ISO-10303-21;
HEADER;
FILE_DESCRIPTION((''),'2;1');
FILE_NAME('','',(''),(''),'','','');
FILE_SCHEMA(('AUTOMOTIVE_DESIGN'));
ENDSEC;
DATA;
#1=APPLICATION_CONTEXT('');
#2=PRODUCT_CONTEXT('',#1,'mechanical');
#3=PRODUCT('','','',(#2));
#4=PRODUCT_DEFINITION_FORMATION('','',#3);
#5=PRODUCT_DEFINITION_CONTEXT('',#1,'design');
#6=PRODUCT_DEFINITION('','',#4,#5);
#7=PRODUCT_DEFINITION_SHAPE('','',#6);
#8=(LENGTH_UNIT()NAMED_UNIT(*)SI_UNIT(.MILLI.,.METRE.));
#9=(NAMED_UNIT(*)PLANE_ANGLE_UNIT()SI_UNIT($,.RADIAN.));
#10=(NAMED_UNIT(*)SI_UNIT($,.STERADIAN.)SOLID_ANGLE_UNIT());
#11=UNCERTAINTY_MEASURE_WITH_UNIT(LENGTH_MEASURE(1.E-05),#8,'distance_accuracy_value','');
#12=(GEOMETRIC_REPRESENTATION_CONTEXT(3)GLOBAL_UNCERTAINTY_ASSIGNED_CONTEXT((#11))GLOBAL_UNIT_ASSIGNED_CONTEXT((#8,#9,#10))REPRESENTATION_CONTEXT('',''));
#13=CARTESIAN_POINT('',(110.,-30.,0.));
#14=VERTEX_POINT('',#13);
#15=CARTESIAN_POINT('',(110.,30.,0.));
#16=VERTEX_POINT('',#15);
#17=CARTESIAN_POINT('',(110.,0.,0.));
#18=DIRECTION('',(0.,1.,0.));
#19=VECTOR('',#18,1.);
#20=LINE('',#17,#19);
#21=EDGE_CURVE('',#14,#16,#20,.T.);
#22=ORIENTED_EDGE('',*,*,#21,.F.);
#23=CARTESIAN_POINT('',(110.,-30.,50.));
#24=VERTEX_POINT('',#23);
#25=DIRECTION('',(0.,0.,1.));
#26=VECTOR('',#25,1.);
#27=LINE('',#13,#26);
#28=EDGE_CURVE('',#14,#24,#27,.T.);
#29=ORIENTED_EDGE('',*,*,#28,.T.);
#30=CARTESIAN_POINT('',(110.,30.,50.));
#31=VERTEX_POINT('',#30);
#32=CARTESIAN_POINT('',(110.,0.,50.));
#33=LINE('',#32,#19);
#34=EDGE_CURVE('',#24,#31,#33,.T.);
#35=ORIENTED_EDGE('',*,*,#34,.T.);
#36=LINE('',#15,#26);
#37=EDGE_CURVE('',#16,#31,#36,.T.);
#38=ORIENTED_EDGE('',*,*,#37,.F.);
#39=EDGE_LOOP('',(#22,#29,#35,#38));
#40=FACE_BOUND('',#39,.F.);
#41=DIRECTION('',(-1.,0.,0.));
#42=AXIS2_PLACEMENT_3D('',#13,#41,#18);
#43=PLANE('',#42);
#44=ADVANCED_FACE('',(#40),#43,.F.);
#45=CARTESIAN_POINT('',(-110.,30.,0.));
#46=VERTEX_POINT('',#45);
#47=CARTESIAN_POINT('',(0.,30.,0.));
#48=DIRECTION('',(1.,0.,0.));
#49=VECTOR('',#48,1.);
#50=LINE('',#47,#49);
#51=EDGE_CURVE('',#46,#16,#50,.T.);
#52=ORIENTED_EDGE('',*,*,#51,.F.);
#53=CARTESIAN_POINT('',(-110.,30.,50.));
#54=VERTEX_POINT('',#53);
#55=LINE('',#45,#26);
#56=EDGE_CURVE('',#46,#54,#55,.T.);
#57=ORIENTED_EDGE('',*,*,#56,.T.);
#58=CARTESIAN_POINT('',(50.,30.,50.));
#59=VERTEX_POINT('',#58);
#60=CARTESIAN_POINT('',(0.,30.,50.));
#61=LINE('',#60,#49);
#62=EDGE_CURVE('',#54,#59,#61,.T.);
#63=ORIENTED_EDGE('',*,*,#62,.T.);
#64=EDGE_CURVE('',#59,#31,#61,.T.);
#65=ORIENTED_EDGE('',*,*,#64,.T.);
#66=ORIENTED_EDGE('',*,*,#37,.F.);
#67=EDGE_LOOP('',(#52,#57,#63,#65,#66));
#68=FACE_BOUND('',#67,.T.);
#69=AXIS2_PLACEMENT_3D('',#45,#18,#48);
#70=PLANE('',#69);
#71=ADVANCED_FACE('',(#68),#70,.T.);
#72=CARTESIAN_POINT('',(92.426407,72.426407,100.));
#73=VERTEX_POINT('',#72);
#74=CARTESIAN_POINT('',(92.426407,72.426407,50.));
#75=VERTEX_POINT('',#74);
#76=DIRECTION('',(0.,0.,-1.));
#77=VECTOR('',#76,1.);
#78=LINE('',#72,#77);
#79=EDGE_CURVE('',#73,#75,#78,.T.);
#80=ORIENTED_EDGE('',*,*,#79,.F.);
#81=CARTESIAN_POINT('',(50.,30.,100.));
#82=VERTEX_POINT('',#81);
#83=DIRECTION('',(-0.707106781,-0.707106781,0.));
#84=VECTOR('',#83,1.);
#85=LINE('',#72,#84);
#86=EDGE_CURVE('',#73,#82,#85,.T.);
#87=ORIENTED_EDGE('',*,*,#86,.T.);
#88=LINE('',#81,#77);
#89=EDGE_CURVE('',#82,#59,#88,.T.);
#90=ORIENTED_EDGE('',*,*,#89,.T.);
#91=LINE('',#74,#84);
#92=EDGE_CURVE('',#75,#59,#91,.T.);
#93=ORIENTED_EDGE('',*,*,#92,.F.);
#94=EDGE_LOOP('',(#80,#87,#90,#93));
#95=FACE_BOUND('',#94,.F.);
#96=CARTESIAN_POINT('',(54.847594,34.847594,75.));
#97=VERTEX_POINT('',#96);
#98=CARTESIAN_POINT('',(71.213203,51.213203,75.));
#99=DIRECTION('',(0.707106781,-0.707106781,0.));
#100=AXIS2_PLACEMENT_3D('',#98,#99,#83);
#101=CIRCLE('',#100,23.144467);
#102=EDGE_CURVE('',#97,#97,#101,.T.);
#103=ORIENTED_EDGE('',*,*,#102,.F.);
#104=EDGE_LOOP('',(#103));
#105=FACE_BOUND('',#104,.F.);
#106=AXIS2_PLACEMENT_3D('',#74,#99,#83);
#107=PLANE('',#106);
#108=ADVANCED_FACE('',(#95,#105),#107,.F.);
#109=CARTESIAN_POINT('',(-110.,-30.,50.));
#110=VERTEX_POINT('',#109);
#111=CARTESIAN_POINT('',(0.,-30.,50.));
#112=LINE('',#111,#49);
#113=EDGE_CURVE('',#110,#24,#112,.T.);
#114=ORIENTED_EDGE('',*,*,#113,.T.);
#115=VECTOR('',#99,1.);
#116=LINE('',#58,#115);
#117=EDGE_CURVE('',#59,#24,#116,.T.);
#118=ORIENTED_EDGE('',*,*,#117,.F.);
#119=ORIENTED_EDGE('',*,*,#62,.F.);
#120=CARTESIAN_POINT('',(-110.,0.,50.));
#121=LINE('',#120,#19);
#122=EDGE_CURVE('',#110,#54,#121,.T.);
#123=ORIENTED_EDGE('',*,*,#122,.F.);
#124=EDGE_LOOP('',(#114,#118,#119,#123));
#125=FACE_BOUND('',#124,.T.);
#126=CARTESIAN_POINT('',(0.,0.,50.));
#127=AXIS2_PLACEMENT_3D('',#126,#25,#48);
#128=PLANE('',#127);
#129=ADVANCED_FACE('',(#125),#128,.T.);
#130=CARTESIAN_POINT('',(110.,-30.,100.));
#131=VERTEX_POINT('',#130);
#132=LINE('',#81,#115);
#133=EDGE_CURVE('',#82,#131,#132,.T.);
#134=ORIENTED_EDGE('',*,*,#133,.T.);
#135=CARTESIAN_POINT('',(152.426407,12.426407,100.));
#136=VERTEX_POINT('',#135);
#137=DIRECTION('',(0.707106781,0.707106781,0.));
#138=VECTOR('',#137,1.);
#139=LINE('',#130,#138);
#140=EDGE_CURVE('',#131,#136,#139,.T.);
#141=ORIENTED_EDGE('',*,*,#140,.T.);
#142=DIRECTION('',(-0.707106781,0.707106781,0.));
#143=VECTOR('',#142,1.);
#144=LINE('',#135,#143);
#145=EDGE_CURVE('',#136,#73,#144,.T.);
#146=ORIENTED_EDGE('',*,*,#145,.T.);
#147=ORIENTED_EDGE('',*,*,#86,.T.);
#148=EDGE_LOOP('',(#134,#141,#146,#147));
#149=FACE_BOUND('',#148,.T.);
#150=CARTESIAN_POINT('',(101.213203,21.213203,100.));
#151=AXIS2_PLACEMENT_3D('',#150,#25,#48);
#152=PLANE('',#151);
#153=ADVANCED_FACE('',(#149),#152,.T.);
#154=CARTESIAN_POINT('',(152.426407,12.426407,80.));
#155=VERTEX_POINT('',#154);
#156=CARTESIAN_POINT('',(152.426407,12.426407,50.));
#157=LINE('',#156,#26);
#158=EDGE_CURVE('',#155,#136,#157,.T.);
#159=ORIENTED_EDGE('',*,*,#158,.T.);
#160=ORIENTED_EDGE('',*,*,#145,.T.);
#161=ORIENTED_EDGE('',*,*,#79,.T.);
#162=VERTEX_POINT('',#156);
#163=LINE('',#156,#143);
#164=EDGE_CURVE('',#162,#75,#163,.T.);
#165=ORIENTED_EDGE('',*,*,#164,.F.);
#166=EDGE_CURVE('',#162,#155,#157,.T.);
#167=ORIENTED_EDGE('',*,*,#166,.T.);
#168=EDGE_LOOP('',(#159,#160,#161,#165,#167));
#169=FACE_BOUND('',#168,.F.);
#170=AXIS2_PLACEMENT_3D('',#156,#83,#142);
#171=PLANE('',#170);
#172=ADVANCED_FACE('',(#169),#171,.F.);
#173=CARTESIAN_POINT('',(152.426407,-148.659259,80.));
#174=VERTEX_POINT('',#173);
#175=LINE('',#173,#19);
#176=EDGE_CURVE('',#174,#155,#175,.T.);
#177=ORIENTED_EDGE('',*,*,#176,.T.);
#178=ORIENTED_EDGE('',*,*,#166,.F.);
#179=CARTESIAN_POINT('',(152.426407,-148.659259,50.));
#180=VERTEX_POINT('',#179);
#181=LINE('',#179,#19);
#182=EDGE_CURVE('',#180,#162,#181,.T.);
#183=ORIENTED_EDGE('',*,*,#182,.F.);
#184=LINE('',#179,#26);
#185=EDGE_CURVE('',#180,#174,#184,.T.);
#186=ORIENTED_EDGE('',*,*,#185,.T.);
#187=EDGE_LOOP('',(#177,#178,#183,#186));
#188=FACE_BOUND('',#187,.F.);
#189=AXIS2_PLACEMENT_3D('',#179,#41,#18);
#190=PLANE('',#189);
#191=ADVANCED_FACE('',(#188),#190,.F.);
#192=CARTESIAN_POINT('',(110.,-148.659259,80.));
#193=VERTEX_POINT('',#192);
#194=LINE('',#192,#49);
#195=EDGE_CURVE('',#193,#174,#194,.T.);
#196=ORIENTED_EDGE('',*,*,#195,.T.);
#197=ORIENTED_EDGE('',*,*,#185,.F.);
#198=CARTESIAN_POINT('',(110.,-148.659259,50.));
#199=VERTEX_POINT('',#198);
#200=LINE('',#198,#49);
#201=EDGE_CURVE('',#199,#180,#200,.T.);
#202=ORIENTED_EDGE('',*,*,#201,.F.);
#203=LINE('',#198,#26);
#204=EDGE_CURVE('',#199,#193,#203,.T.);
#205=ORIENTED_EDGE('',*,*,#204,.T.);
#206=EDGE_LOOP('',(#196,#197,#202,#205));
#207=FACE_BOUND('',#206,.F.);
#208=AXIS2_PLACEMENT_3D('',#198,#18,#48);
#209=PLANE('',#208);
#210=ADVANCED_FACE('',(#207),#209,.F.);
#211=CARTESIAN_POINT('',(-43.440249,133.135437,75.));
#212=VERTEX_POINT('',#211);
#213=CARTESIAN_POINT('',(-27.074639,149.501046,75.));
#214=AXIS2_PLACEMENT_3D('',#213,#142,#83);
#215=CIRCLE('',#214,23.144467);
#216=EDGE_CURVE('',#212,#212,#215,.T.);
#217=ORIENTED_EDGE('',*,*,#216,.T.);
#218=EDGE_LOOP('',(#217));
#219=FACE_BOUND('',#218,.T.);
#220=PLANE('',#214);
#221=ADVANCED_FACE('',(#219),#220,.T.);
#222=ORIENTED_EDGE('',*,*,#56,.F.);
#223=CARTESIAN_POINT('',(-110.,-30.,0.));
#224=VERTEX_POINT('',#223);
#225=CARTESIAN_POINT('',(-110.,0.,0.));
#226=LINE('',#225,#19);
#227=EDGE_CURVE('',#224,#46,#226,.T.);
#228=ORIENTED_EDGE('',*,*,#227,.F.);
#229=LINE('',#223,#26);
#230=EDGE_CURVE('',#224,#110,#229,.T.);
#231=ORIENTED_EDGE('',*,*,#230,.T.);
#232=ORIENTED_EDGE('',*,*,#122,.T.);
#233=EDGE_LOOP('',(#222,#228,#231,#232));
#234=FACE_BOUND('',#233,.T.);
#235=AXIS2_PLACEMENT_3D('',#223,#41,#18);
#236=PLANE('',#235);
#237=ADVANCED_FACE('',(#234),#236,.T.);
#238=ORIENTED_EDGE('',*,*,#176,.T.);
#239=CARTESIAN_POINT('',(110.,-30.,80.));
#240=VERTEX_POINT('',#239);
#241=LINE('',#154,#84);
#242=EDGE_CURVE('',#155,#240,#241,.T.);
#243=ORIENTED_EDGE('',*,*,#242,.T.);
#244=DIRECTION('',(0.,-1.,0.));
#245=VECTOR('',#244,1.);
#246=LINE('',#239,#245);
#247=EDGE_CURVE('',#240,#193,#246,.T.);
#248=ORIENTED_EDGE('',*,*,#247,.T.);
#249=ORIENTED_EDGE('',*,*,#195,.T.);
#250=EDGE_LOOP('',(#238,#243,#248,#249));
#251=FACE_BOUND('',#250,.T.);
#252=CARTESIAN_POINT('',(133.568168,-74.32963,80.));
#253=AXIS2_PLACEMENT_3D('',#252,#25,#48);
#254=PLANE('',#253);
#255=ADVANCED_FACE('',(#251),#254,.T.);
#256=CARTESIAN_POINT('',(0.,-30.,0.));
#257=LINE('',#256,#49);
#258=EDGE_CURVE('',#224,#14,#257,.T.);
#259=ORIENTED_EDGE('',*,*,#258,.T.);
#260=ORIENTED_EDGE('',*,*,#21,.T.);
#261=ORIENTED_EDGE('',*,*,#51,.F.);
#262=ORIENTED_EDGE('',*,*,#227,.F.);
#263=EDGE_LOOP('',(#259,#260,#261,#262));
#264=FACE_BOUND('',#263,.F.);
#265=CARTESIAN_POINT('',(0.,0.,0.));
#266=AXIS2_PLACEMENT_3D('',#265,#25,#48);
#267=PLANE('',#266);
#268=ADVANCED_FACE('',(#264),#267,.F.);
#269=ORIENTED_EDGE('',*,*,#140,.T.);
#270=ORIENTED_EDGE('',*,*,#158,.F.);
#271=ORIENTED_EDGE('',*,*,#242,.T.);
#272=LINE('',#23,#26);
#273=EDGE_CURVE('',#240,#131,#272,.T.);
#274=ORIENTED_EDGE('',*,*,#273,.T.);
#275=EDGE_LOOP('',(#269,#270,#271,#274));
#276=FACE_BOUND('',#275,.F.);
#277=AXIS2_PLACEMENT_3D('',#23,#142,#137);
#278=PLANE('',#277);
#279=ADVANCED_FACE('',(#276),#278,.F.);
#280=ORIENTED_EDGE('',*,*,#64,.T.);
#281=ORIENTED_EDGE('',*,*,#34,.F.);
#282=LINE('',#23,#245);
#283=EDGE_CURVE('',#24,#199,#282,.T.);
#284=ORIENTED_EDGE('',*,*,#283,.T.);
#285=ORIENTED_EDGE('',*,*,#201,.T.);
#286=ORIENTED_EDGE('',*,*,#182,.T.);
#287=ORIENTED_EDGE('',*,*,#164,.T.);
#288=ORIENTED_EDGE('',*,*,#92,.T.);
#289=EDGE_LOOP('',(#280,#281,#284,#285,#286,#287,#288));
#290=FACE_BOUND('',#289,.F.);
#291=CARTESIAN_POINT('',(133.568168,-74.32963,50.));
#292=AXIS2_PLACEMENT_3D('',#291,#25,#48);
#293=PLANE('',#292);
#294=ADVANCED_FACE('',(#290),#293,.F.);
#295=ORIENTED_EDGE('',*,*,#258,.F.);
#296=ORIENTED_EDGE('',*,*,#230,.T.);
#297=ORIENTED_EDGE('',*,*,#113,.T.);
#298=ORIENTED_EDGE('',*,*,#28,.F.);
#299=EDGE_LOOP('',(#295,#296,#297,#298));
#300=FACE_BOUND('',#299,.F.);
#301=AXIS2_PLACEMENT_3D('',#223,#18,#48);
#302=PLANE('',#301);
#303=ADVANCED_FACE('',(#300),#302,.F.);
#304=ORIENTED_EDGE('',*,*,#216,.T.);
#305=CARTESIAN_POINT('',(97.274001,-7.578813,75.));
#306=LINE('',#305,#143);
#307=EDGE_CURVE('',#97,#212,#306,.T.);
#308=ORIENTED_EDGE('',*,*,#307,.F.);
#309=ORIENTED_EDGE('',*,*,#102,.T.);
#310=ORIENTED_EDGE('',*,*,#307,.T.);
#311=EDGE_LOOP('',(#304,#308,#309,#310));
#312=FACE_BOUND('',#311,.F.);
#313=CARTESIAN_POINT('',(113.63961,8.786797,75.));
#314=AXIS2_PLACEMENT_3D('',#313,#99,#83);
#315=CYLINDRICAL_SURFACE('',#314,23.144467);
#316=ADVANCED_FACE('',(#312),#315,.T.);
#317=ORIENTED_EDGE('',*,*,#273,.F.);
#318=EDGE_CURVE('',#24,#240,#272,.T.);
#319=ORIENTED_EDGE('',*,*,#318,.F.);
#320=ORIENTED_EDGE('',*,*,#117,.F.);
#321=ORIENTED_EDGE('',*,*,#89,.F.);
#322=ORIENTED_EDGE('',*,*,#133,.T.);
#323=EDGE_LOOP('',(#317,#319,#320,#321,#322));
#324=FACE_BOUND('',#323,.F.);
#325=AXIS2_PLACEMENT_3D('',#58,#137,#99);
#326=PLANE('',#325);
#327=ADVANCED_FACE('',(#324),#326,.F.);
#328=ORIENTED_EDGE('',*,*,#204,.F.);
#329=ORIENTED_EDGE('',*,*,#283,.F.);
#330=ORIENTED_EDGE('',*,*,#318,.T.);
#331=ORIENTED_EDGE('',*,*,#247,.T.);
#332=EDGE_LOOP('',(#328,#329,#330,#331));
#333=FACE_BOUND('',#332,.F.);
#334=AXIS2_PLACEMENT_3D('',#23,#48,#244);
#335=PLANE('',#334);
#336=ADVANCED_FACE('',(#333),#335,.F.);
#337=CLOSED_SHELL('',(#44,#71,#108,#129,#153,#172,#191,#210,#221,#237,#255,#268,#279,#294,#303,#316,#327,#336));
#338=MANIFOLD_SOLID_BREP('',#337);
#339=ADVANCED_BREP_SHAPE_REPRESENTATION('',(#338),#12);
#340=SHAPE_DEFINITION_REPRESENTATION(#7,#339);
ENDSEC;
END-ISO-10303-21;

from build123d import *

# Parameters (mm, degrees)
F0_W     = 220
F0_H     = 60
F1_DEPTH = 50
F3_DEPTH = 50
F4_DEPTH = 25
F5_R     = 20
F6_DEPTH = 60
F6_TAPER = -3
F7_DEPTH = 199
F9_DEPTH = 30


with BuildPart() as f1:
    # F0 (on Top) → F1 (new body)
    with BuildSketch(Plane.XY):
        Rectangle(F0_W, F0_H)
    extrude(amount=F1_DEPTH)

    # F2 (on face) → F3 (join)
    with BuildSketch(Plane.XY.offset(50)):
        Polygon((50, 30), (110, -30), (152.4264068712, 12.4264068712), (92.4264068712, 72.4264068712), align=None)
    extrude(amount=F3_DEPTH)

    # F2 (on face) → F4 (join)
    with BuildSketch(Plane.XY.offset(50)):
        Polygon((50, 30), (110, -30), (152.4264068712, 12.4264068712), (92.4264068712, 72.4264068712), align=None)
    extrude(amount=F4_DEPTH)

    # F5 (on face) → F6 (cut)
    with BuildSketch(Plane(origin=(10, -10, 0), x_dir=(-0.7071067812, -0.7071067812, 0), z_dir=(-0.7071067812, 0.7071067812, 0))):
        with Locations((-86.5685424949, 75)):
            Circle(F5_R)
    extrude(amount=-F6_DEPTH, taper=F6_TAPER, mode=Mode.SUBTRACT)

    # F7 (add): a face of the model
    f7_faces = [f1.faces().sort_by_distance(p)[0] for p in [
        (113.6396103068, 8.7867965644, 75),
    ]]
    extrude(f7_faces, amount=F7_DEPTH)

    # F8 (on face) → F9 (join)
    with BuildSketch(Plane.XY.offset(50)):
        Polygon((152.4264068712, 12.4264068712), (110, -30), (110, -148.6592590809), (152.4264068712, -148.6592590809), align=None)
    extrude(amount=F9_DEPTH)


solid = f1.part
